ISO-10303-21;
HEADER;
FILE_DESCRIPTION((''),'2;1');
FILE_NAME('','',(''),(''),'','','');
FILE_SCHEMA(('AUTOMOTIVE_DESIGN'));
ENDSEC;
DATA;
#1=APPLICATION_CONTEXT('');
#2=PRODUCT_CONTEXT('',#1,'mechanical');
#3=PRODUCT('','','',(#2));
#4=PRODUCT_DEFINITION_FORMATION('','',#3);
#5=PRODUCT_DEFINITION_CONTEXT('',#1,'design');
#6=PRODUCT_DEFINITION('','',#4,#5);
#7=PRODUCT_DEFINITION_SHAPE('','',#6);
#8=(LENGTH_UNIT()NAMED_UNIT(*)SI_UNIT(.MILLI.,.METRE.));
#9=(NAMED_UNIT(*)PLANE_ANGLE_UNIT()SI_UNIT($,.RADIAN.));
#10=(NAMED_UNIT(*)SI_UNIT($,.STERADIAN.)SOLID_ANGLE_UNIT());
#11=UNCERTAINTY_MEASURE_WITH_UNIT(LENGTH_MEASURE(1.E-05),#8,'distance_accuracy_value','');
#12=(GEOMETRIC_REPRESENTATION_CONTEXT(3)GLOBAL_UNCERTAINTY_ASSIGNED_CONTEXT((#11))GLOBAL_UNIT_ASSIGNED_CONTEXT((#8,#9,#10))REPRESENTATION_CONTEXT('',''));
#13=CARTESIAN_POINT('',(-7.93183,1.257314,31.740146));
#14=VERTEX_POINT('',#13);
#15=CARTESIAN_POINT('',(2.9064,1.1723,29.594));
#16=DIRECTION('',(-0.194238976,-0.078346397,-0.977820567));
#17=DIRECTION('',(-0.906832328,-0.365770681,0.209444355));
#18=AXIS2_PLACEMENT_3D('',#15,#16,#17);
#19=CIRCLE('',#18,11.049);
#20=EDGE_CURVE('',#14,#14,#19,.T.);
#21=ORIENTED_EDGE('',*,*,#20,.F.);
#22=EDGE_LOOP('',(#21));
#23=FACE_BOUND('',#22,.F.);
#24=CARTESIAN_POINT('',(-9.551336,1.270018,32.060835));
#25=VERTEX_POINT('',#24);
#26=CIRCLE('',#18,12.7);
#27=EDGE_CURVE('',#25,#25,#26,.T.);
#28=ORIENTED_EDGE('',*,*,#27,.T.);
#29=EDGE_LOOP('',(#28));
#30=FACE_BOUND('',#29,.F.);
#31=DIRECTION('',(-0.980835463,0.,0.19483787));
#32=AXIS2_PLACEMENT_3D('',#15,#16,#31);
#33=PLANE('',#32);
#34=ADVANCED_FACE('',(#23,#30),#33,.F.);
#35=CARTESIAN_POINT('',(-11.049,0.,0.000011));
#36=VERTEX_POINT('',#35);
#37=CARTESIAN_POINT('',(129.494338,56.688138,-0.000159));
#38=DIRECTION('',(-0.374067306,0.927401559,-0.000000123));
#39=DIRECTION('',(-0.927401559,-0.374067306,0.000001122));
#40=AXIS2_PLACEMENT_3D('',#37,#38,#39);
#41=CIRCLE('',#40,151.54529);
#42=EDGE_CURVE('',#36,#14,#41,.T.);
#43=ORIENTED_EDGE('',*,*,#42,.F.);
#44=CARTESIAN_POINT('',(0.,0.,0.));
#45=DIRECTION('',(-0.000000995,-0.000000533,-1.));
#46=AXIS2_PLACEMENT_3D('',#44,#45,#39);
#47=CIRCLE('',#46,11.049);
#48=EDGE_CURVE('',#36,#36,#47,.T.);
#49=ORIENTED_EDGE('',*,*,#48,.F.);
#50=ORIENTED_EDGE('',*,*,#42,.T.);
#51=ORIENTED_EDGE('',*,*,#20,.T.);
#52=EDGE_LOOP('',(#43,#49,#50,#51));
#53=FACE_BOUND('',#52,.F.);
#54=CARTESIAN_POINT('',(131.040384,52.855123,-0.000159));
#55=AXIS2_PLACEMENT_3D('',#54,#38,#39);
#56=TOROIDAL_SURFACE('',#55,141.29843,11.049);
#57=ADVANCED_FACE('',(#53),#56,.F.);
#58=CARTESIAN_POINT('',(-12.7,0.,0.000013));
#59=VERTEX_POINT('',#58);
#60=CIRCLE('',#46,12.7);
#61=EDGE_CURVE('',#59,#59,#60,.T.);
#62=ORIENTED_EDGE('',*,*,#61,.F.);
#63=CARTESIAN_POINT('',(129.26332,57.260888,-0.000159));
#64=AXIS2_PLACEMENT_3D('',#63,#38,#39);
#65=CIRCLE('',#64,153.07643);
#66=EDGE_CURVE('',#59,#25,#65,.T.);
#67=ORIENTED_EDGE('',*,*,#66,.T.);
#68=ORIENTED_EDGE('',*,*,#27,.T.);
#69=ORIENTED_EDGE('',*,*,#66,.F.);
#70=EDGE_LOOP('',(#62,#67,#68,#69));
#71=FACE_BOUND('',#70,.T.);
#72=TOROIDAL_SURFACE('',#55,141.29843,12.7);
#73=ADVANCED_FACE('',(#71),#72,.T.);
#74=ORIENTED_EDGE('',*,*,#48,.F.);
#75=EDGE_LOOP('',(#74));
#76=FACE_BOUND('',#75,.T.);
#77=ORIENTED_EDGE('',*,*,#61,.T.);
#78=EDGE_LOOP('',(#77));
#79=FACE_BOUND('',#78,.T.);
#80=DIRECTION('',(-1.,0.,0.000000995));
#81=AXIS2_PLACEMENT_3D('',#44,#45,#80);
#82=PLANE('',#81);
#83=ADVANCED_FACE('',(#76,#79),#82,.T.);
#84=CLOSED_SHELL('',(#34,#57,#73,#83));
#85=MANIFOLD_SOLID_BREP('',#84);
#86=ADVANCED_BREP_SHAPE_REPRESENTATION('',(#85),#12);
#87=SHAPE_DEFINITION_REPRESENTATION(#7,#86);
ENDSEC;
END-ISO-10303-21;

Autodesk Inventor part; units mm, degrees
sketch "Sketch" plane through (0, 0, 0) normal (0, 0, -1) x (-1, 0, 0)
  circle A0 centre (0, 0) radius 12.7
  circle A1 centre (0, 0) radius 11.049
  dimension "d0" = 25.4
  dimension "d1" = 1.651
ref_plane "Start Plane" through (0, 0, 0) normal (1, 0, 0) x (0, 1, 0)
ref_plane "End Plane" through (29.8148, 0, 0) normal (1, 0, 0) x (0, 1, 0)
sketch "Sketch2" plane through (0, 0, 0) normal (1, 0, 0) x (0, 1, 0)
  line L0 (0, 0) -> (10, 0)
ref_plane "Work Plane3" through (0, 0, 0) normal (0, 0, -1) x (0, 1, 0)
sketch "Sketch3" plane through (0, 0, 0) normal (0, 0, -1) x (0, 1, 0)
  line L0 (-2, 0) -> (12, 0)
  line L1 (-18.0067, 29.8148) -> (19.1399, 29.8148)
  dimension "d9" = 29.8148
ref_plane "Orientation Work Plane" through (0, 0, 0) normal (0, 0, -1) x (-1, 0, 0)
sketch3d "Sweep Path"
  arc A0 (0, 0, 0) -> (2.9064, 1.1723, 29.594) centre (131.0376, 52.854, 0) ccw
sweep "Body" add profiles "Sketch" path "Sweep Path"
equation "\"G_OFFSET_START\" = 0"
equation "\"G_OFFSET_END\" = 0"
equation "\"d5\" = d2 + G_OFFSET_END"
equation "\"G_L\" = d9"
equation "\"d2\" = 29.814793"
properties part number "4130_1x0.065" material "Steel, Alloy"
